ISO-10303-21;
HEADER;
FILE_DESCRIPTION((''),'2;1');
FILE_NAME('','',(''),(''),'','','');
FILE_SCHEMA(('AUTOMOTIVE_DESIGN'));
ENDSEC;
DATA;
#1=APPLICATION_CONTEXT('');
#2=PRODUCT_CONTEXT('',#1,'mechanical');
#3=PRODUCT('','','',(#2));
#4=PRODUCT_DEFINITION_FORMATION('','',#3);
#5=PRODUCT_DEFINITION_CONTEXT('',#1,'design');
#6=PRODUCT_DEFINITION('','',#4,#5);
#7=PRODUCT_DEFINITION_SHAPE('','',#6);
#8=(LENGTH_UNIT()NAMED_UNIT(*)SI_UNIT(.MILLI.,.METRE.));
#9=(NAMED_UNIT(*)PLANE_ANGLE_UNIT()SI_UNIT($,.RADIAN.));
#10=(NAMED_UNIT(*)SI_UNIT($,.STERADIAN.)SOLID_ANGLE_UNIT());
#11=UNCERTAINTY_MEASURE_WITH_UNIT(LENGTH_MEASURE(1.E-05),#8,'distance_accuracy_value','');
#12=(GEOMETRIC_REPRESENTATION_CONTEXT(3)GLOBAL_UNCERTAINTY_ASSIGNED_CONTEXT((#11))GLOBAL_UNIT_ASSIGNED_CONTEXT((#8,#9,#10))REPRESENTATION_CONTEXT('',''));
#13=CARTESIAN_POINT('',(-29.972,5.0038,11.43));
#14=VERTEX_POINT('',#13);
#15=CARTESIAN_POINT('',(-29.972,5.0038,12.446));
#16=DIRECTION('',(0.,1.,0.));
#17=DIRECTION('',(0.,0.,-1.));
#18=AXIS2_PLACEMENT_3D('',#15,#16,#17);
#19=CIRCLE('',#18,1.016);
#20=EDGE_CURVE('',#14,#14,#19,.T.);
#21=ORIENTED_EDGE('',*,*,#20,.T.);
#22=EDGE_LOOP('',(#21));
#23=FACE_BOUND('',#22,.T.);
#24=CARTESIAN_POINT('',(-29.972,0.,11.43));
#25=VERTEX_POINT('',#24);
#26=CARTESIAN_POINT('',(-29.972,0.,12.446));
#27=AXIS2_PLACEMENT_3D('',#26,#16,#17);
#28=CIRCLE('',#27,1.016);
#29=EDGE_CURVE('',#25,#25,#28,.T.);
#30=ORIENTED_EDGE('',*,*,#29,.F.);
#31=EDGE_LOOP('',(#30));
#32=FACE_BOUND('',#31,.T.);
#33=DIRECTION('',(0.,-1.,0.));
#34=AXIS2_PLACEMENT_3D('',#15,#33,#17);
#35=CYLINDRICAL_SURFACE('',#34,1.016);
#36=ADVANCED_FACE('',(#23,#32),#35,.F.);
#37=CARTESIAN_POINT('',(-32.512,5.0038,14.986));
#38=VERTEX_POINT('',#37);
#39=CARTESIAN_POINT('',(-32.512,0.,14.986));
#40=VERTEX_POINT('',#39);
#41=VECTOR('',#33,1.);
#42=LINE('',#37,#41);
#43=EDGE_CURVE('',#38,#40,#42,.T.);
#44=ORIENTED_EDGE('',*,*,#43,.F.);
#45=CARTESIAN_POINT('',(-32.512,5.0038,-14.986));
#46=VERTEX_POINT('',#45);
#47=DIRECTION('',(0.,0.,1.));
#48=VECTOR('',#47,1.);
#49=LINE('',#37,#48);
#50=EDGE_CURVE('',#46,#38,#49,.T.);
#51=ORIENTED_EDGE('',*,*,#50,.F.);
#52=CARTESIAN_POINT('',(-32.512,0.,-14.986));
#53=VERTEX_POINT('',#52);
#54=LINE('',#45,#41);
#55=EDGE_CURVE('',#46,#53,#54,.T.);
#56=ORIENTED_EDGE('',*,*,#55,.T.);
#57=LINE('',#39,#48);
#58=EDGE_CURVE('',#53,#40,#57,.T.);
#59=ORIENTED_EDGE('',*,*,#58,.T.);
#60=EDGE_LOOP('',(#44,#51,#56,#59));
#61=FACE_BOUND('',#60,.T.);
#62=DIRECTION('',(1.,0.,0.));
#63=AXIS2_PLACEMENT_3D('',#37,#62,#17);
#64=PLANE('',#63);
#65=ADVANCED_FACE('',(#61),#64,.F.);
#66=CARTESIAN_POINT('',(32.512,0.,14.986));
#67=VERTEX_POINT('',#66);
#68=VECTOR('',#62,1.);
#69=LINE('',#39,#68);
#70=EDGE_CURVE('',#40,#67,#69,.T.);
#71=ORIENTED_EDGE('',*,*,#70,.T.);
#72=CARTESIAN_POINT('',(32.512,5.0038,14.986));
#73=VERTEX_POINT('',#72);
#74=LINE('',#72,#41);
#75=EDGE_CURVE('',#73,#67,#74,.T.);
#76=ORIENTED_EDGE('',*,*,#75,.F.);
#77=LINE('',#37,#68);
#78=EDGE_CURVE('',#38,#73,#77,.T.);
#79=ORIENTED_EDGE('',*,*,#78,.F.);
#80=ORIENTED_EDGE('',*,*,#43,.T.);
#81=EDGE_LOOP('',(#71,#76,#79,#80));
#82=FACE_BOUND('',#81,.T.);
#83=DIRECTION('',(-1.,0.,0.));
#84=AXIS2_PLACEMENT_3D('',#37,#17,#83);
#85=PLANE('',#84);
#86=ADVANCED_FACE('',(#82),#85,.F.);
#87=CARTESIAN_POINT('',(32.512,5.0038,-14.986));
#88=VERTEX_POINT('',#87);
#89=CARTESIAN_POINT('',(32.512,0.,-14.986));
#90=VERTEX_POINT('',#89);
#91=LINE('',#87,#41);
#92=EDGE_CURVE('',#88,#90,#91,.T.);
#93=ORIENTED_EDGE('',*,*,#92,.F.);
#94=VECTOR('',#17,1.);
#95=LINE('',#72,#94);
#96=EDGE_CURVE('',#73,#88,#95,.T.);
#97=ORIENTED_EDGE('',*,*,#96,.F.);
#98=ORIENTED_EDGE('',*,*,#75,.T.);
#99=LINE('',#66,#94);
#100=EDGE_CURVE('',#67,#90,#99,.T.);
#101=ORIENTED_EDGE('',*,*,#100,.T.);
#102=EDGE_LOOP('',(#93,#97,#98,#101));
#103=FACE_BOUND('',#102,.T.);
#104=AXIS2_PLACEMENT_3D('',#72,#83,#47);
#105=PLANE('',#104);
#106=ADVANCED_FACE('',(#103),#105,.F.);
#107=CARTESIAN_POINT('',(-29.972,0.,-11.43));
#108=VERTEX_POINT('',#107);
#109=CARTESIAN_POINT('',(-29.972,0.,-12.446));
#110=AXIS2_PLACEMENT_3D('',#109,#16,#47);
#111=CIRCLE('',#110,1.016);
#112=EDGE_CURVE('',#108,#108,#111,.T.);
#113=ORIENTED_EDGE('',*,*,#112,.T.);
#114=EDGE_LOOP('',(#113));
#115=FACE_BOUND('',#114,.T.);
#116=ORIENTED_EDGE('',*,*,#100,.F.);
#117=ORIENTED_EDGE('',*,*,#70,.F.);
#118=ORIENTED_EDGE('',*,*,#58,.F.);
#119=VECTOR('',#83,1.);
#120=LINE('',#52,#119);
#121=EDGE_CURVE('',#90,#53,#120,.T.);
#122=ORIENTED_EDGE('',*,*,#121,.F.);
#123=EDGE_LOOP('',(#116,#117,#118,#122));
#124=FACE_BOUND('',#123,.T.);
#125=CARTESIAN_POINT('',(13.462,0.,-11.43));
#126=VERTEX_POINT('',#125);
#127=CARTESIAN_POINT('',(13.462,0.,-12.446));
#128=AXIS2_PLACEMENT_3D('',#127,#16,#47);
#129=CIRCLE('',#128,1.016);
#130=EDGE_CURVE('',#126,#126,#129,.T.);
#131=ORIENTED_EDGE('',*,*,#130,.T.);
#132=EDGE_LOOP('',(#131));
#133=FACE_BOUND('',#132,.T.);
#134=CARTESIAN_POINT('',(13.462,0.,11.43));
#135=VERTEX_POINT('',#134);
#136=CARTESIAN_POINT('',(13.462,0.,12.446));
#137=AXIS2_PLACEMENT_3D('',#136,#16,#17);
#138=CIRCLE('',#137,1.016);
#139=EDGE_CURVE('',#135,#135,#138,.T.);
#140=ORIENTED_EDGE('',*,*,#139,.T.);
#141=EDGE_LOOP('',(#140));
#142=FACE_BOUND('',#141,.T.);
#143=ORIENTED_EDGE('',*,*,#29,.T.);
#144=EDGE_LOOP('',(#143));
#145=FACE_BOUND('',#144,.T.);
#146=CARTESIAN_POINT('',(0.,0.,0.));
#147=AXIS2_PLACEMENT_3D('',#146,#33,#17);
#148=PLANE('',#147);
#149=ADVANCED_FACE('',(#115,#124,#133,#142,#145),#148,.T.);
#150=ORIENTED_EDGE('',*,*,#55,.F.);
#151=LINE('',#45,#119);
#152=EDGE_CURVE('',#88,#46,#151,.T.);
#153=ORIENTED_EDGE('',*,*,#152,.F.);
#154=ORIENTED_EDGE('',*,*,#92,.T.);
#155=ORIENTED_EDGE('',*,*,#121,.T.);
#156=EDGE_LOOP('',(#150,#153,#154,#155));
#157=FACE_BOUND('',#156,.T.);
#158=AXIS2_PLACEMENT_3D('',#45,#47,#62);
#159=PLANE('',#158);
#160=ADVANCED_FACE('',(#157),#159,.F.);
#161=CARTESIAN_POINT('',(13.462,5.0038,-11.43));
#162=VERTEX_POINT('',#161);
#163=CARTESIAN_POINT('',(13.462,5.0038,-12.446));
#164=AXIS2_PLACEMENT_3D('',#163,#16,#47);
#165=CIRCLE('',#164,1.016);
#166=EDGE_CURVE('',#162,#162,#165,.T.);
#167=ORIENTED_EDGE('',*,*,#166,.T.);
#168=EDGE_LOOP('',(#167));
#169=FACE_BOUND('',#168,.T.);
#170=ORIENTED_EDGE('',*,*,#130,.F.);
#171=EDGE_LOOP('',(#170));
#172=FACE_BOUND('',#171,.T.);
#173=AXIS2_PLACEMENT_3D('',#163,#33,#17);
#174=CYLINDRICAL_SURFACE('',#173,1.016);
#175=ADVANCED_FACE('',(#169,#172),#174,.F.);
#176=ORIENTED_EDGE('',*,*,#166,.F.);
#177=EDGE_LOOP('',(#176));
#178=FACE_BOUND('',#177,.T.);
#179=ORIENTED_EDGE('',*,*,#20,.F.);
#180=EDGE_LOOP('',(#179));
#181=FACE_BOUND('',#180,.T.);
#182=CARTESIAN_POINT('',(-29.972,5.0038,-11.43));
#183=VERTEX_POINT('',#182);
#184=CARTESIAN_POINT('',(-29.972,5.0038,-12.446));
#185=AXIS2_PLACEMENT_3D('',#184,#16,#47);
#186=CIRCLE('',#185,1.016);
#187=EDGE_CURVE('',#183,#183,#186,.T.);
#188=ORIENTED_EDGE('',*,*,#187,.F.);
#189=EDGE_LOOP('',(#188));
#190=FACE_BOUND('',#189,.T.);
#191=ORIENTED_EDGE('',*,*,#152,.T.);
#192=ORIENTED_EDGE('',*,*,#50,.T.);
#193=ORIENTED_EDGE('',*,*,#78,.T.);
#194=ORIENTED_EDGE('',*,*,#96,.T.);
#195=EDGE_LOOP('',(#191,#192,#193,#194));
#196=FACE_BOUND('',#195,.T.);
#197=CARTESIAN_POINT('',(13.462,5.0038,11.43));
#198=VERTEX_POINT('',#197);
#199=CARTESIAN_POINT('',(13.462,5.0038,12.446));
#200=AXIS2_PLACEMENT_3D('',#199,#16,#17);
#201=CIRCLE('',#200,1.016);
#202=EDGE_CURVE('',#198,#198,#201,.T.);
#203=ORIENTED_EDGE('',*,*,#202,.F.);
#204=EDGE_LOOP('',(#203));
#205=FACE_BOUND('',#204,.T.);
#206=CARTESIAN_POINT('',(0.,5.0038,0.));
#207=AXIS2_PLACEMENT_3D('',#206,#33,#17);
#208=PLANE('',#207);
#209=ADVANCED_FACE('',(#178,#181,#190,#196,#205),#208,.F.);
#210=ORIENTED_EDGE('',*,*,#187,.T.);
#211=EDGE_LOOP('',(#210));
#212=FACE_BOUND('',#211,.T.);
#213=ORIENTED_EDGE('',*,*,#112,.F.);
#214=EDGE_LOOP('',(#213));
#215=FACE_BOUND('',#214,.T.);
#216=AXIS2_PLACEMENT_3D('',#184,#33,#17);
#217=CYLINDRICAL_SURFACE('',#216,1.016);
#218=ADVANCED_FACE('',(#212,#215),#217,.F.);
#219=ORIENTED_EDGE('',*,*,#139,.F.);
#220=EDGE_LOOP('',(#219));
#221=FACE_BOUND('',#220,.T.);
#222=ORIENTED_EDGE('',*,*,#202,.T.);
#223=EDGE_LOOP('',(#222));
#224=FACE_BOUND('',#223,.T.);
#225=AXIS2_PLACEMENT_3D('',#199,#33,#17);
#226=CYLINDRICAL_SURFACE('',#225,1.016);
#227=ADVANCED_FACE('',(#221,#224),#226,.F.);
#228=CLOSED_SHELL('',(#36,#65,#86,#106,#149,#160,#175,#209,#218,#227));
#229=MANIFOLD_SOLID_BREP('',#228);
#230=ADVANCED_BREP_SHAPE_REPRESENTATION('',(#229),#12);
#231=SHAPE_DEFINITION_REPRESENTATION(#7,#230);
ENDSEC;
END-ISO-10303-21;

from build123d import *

# Parameters (mm, degrees)
SKETCH1_W           = 65.024
SKETCH1_H           = 29.972
SKETCH1_R           = 1.016
BOSS_EXTRUDE1_DEPTH = 5.0038


with BuildPart() as part:
    # Sketch1 → Boss-Extrude1 (new body)
    with BuildSketch(Plane(origin=(0, 0, 0), x_dir=(1, 0, 0), z_dir=(0, 1, 0))):
        Rectangle(SKETCH1_W, SKETCH1_H)
        with Locations((-29.972, 12.446)):
            Circle(SKETCH1_R, mode=Mode.SUBTRACT)
        with Locations((-29.972, -12.446)):
            Circle(SKETCH1_R, mode=Mode.SUBTRACT)
        with Locations((13.462, 12.446)):
            Circle(SKETCH1_R, mode=Mode.SUBTRACT)
        with Locations((13.462, -12.446)):
            Circle(SKETCH1_R, mode=Mode.SUBTRACT)
    extrude(amount=BOSS_EXTRUDE1_DEPTH)


solid = part.part
